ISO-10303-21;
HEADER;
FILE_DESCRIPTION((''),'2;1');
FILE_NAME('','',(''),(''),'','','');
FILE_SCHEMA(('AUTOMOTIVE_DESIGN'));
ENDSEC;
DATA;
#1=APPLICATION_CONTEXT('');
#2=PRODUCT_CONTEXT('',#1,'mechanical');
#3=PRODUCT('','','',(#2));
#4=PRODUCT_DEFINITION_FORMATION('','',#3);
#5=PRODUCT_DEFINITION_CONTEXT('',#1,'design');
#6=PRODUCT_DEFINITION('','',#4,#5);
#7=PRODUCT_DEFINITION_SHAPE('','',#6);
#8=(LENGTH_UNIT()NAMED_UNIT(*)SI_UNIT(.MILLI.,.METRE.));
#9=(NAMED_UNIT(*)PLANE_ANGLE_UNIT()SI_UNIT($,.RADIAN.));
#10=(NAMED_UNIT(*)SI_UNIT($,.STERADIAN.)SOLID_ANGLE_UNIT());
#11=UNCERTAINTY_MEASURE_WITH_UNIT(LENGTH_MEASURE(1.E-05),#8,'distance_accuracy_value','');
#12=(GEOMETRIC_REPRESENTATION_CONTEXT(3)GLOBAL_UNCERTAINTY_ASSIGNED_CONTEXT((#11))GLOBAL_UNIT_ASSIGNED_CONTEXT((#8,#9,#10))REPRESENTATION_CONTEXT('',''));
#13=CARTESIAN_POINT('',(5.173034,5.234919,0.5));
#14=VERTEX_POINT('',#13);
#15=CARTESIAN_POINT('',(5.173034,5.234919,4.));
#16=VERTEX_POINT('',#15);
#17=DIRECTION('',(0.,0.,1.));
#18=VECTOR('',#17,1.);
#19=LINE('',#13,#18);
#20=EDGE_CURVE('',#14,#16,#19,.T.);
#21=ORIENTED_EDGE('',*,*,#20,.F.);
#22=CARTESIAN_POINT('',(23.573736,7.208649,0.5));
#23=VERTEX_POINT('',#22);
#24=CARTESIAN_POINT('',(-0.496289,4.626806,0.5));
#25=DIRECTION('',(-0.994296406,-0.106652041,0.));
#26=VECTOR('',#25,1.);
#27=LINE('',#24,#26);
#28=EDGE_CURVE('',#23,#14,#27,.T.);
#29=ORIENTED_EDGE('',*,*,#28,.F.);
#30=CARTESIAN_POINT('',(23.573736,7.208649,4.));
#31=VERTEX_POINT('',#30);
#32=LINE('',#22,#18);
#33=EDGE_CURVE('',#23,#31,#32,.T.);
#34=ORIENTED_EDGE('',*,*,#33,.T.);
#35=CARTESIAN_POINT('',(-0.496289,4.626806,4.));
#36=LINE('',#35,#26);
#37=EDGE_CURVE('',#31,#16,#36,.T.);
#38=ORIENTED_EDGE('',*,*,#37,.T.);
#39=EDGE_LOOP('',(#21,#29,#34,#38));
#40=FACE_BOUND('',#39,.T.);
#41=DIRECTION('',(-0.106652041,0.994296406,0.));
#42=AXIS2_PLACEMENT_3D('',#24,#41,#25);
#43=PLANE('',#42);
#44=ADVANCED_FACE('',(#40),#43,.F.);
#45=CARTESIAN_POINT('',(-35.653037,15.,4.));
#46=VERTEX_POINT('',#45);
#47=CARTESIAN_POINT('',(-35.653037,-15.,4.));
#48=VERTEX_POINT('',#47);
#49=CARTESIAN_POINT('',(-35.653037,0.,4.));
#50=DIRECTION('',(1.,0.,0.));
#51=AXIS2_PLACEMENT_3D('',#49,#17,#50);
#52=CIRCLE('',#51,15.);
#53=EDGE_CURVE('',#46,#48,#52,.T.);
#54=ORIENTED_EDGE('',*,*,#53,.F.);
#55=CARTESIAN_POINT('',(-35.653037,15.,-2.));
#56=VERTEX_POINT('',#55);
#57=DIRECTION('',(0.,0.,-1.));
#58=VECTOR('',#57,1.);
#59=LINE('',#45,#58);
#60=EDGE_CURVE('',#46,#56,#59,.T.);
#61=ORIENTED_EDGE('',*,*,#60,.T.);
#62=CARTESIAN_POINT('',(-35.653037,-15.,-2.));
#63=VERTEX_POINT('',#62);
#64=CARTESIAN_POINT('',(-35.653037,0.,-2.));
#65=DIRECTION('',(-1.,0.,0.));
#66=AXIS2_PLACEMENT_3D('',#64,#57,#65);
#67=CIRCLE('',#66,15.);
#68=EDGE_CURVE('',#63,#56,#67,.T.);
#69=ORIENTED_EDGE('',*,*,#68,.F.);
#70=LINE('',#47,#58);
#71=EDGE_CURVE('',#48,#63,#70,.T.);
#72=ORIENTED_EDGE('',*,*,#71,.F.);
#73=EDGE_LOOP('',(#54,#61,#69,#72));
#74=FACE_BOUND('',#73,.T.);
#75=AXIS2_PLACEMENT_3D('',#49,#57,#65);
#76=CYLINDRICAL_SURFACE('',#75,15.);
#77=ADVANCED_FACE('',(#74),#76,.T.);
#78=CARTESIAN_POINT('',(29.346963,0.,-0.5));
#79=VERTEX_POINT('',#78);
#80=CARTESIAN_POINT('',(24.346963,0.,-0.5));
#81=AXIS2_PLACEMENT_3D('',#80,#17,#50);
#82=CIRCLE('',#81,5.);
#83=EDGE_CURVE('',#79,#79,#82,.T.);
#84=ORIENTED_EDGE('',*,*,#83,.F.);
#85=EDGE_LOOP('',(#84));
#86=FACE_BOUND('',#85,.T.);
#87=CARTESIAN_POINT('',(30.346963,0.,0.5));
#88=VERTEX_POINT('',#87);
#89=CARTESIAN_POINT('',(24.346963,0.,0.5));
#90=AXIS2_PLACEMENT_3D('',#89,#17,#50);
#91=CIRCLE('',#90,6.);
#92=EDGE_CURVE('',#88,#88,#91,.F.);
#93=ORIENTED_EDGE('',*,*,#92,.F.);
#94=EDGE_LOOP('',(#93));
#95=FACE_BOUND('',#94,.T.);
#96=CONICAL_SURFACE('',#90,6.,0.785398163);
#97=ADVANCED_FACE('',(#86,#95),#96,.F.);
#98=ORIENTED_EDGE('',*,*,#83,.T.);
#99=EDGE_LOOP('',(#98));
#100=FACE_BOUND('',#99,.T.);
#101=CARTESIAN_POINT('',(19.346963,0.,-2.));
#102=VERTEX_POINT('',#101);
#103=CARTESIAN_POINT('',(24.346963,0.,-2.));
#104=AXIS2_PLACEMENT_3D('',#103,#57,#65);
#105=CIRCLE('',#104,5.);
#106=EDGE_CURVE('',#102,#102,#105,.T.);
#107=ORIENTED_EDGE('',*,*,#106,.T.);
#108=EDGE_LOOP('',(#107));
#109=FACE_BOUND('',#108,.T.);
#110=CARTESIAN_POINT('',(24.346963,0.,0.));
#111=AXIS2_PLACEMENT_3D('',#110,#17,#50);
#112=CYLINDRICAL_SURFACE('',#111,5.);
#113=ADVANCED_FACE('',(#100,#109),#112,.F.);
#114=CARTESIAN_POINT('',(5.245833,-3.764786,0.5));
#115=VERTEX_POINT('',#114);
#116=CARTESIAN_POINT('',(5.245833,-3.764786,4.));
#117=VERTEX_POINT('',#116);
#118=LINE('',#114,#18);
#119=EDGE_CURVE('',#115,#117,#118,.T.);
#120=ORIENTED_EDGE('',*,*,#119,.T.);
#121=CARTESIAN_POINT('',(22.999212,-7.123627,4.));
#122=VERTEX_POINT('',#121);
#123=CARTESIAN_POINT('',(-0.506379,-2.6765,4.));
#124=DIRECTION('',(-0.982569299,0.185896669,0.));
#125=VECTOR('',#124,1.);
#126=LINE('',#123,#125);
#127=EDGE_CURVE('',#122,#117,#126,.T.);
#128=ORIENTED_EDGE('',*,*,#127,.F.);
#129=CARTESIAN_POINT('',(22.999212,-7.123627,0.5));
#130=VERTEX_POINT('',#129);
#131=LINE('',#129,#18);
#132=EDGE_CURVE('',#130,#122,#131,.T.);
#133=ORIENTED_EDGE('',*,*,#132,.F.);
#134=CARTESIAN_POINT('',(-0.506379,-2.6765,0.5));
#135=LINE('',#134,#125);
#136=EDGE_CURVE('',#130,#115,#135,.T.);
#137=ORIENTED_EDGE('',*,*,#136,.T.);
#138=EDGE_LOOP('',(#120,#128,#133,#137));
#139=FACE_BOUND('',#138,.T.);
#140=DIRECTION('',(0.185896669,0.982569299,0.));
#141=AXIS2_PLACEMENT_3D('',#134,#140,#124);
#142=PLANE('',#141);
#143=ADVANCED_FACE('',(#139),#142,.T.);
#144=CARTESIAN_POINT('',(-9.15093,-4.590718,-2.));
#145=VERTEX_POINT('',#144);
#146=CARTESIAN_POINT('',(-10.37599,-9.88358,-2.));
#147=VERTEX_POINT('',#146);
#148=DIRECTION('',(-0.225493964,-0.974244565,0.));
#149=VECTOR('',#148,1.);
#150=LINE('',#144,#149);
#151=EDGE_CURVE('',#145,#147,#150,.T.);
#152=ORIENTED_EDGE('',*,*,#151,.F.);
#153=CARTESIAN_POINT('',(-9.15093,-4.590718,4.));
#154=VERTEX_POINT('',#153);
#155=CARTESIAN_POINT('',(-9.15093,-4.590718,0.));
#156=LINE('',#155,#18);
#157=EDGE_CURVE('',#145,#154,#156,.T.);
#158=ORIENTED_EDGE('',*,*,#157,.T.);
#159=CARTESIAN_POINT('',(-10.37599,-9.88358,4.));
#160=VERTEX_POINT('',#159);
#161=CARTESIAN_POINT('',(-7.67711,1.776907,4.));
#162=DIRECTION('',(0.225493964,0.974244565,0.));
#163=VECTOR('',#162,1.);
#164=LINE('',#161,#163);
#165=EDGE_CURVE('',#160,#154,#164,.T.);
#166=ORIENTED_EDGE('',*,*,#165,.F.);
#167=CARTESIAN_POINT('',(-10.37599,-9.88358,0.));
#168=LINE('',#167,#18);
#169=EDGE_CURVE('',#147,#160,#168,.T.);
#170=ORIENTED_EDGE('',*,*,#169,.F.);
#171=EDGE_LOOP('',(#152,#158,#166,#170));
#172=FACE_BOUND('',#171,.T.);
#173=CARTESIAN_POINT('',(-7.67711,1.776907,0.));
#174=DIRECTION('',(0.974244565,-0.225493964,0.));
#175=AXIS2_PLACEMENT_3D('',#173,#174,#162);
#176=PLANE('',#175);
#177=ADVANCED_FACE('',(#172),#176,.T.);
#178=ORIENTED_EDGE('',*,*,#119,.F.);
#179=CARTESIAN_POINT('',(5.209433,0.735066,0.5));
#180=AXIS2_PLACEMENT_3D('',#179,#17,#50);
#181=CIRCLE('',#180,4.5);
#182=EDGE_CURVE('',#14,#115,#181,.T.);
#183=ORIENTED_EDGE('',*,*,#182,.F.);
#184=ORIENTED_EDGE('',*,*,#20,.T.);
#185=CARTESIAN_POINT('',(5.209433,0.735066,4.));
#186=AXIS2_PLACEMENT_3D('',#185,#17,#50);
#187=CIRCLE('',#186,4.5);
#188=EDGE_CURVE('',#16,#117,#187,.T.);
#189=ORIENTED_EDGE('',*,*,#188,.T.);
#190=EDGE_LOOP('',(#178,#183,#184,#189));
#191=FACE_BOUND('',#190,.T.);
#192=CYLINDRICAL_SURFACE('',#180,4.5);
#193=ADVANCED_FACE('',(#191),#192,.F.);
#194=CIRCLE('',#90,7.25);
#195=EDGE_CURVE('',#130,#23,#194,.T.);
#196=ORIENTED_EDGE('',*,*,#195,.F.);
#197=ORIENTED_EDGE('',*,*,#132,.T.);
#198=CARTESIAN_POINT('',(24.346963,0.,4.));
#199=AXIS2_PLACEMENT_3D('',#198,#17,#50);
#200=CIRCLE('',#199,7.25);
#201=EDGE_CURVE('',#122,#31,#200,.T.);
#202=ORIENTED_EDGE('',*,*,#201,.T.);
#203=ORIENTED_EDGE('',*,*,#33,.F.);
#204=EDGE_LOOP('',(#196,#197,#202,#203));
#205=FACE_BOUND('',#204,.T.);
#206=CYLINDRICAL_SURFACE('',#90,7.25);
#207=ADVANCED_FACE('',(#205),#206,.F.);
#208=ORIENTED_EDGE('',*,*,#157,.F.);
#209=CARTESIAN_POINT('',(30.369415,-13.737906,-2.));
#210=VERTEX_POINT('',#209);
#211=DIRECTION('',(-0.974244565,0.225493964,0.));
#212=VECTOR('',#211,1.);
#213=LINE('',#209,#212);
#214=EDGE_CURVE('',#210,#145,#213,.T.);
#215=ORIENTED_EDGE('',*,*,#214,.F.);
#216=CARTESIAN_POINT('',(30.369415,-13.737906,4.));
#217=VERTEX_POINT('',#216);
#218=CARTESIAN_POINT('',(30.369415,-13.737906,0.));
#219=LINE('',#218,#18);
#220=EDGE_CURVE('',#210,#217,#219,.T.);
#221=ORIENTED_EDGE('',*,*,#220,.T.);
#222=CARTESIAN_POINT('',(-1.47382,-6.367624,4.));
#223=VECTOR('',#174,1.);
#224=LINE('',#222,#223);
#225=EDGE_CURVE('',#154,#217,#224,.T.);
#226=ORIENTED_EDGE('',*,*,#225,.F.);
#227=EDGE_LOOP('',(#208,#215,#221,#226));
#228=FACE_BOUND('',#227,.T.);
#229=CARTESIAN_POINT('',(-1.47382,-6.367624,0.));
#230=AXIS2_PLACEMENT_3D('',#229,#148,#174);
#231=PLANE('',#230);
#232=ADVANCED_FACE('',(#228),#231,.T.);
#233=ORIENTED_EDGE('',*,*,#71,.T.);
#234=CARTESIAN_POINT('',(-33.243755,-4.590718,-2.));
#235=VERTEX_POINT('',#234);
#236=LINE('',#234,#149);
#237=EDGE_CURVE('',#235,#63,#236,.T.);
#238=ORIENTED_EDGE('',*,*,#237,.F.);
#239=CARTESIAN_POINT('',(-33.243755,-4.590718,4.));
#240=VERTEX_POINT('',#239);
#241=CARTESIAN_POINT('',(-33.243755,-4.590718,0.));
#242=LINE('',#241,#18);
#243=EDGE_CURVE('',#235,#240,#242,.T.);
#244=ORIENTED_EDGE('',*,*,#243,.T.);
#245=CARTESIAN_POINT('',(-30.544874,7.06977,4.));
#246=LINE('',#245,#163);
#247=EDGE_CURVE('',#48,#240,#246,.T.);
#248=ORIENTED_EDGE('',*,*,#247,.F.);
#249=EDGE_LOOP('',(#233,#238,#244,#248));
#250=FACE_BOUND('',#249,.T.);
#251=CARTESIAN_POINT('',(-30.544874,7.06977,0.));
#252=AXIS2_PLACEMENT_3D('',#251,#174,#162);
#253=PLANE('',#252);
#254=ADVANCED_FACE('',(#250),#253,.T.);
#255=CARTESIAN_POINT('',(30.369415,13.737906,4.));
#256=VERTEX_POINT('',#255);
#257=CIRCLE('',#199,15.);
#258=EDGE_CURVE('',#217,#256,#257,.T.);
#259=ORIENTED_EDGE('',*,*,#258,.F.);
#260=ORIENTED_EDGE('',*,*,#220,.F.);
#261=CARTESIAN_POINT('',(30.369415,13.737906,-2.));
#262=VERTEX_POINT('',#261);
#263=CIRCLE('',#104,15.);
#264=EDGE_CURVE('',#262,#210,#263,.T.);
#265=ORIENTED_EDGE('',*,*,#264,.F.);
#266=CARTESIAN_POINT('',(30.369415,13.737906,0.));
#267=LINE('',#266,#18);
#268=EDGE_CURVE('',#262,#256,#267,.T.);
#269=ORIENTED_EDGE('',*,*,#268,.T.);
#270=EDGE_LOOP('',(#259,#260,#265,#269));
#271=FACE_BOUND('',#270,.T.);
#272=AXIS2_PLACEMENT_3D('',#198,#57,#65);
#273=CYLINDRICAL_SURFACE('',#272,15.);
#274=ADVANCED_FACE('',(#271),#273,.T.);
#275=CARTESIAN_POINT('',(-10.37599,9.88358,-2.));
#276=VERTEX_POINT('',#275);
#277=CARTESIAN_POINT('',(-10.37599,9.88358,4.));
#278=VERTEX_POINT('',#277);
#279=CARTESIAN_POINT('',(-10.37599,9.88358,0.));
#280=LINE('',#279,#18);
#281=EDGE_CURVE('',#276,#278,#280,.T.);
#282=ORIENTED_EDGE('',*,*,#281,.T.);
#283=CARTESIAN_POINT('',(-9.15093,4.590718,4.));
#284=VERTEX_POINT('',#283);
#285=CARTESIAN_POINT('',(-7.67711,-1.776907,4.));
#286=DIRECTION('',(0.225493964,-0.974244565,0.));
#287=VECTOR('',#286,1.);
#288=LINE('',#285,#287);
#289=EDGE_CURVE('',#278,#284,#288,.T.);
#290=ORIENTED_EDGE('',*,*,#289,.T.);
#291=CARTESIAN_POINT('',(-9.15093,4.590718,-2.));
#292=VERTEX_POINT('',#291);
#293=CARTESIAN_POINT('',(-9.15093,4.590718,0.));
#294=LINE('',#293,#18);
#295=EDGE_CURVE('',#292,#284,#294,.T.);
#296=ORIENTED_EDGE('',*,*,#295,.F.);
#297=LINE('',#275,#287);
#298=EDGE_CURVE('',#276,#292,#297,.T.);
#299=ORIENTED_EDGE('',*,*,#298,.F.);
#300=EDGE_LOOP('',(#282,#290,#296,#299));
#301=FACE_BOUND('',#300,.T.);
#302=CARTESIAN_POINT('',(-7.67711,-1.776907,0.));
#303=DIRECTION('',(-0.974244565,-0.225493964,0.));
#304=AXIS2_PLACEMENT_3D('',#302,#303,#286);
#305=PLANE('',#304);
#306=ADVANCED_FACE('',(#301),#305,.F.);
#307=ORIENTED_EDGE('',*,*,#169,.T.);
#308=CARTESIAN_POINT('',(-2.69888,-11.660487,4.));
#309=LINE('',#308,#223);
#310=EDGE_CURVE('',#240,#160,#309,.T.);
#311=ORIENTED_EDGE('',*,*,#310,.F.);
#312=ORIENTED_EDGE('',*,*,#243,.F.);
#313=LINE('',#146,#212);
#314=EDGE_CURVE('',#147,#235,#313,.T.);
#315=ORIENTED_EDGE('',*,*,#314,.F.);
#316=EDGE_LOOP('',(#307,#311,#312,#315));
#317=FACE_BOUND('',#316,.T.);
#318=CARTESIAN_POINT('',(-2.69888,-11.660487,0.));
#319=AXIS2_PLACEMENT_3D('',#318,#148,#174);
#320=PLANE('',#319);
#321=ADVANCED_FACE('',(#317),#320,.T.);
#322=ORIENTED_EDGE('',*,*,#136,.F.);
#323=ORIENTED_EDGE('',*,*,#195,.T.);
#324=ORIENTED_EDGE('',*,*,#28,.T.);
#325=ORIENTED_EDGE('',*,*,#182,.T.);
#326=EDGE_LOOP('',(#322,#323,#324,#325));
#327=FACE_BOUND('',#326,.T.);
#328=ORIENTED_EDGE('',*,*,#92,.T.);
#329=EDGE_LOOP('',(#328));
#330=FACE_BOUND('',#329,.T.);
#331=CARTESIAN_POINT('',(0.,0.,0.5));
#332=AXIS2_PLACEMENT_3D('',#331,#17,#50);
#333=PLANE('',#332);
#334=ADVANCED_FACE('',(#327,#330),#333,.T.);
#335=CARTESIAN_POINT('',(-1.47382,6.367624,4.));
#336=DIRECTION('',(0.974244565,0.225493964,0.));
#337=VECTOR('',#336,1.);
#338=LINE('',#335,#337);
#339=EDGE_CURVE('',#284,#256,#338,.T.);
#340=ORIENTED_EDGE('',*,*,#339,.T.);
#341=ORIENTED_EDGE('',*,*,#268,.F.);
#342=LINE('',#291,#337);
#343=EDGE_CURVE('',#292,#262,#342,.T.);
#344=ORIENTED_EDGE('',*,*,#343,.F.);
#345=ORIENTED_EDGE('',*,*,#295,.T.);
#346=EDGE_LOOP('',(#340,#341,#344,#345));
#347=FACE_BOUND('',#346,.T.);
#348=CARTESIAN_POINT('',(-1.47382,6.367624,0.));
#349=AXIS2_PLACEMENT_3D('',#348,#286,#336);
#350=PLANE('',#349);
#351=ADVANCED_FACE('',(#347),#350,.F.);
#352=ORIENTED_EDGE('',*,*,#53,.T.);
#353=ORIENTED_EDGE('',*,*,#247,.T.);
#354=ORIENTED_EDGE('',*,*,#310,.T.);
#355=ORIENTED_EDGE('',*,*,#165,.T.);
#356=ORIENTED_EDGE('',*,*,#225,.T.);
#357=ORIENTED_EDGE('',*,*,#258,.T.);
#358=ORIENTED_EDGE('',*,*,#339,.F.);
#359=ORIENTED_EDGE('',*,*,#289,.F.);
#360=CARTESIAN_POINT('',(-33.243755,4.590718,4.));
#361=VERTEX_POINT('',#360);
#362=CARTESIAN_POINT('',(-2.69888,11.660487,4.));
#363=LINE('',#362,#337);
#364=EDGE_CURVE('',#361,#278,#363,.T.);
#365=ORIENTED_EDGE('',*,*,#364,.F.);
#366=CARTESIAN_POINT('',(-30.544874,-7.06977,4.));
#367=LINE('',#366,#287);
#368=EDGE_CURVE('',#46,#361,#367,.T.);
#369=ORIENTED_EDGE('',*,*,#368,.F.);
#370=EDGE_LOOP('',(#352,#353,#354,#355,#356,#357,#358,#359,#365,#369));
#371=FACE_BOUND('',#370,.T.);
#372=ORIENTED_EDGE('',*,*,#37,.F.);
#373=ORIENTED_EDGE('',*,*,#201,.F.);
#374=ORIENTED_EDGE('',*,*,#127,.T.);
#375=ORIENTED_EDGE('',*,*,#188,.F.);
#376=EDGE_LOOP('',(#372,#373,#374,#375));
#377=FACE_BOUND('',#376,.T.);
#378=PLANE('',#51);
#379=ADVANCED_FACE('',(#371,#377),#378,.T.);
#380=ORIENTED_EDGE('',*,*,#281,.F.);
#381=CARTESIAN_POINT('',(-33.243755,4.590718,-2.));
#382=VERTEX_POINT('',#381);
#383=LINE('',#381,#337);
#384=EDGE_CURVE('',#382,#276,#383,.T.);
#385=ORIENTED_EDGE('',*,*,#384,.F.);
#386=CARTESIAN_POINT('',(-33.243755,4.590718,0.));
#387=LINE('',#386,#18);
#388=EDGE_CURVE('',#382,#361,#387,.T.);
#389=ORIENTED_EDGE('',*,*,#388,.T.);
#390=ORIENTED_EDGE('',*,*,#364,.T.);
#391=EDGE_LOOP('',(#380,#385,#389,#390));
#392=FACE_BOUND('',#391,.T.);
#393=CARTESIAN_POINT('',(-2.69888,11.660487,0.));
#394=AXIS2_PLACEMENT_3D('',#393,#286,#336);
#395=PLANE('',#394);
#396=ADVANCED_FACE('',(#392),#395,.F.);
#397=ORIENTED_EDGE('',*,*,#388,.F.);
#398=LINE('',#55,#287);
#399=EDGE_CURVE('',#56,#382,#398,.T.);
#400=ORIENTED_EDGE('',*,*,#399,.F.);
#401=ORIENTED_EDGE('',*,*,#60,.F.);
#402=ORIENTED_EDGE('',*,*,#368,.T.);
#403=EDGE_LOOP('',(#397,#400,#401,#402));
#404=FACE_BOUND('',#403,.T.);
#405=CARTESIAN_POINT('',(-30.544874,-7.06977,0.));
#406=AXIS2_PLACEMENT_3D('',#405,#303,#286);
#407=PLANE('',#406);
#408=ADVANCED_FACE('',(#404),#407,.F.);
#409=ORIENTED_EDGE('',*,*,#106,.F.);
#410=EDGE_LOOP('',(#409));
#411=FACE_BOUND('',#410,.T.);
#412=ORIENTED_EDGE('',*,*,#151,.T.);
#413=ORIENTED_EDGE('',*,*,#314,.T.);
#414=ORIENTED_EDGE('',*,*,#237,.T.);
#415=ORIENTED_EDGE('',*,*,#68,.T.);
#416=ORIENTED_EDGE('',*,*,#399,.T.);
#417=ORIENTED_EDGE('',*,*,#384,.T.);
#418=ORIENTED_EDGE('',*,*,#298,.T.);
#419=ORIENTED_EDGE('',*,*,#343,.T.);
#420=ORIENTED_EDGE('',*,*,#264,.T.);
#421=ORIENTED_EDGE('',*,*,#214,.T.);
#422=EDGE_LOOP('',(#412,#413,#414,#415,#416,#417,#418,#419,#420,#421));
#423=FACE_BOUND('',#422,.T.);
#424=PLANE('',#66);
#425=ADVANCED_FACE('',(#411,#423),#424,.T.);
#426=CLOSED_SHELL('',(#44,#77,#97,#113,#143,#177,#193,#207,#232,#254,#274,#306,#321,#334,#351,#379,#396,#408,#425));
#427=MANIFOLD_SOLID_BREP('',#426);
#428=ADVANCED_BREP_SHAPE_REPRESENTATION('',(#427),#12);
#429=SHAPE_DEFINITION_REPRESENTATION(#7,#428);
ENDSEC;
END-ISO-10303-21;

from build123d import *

# Parameters (mm, degrees)
Y_KSEKLIK_EKSTR_ZYON1_DEPTH = 4
KES_EKSTR_ZYON1_START       = -4
KES_EKSTR_ZYON1_DEPTH       = 4
IZIM3_R                     = 5
KES_EKSTR_ZYON2_DEPTH       = 4
KES_EKSTR_ZYON3_DEPTH       = 4
IZIM10_R                    = 7.25
IZIM10_R_2                  = 5
KES_EKSTR_ZYON4_DEPTH       = 3.5
IZIM11_R                    = 5
Y_KSEKLIK_EKSTR_ZYON3_DEPTH = 2
PAH2_SIZE                   = 1


with BuildPart() as part:
    # Çizim1 → Yükseklik-Ekstrüzyon1 (new body)
    with BuildSketch(Plane.XY):
        with BuildLine():
            Line((-35.653037037, 15), (24.346962963, 15))
            ThreePointArc((24.346962963, 15), (39.346962963, 0), (24.346962963, -15))
            Line((24.346962963, -15), (-35.653037037, -15))
            ThreePointArc((-35.653037037, -15), (-50.653037037, 0), (-35.653037037, 15))
        make_face()
    extrude(amount=Y_KSEKLIK_EKSTR_ZYON1_DEPTH)

    # Çizim2 → Kes-Ekstrüzyon1 (cut)
    with BuildSketch(Plane.XY.offset(4).offset(KES_EKSTR_ZYON1_START)):
        Polygon((-11.560212186, 15), (-35.653037037, 15), (-33.243754552, 4.590717515), (-10.375990279, 9.883580305), align=None)
        Polygon((-33.243754552, -4.590717515), (-35.653037037, -15), (-11.560212186, -15), (-10.375990279, -9.883580305), align=None)
        with BuildLine():
            Line((-10.375990279, 9.883580305), (-9.150929701, 4.590717515))
            Line((-9.150929701, 4.590717515), (30.369414779, 13.737906468))
            ThreePointArc((30.369414779, 13.737906468), (27.42360098, 14.681086421), (24.346962963, 15))
            Line((24.346962963, 15), (11.729453249, 15))
            Line((11.729453249, 15), (-10.375990279, 9.883580305))
        make_face()
        with BuildLine():
            Line((-9.150929701, -4.590717515), (-10.375990279, -9.883580305))
            Line((-10.375990279, -9.883580305), (11.729453249, -15))
            Line((11.729453249, -15), (24.346962963, -15))
            ThreePointArc((24.346962963, -15), (27.42360098, -14.681086421), (30.369414779, -13.737906468))
            Line((30.369414779, -13.737906468), (-9.150929701, -4.590717515))
        make_face()
    extrude(amount=KES_EKSTR_ZYON1_DEPTH, mode=Mode.SUBTRACT)


with BuildPart() as kes_ekstr_zyon1_piece_1:
    # of the separate pieces the step leaves, piece 1, a body of its own (kes_ekstr_zyon1_pieces)
    add(part.part.solids().sort_by_distance((-35.653037037, -15, 0))[0])

    # Çizim3 → Kes-Ekstrüzyon2 (cut)
    with BuildSketch(Plane.XY.offset(4)):
        with Locations((24.346962963, 0)):
            Circle(IZIM3_R)
    extrude(amount=-KES_EKSTR_ZYON2_DEPTH, mode=Mode.SUBTRACT)

    # Çizim10 → Kes-Ekstrüzyon4 (cut)
    # profile 1 of 2: a face of its own
    with BuildSketch(Plane.XY.offset(4)):
        with BuildLine():
            ThreePointArc((22.99921211, -7.123627421), (17.102780918, 0.290390243), (23.573735665, 7.20864894))
            Line((23.573735665, 7.20864894), (5.173034472, 5.234919246))
            ThreePointArc((5.173034472, 5.234919246), (0.709580704, 0.698667438), (5.245832511, -3.76478633))
            Line((5.245832511, -3.76478633), (22.99921211, -7.123627421))
        make_face()
    # profile 2 of 2: a face of its own
    with BuildSketch(Plane.XY.offset(4)):
        with Locations((24.346962963, 0)):
            Circle(IZIM10_R)
        with Locations((24.346962963, 0)):
            Circle(IZIM10_R_2, mode=Mode.SUBTRACT)
    extrude(amount=-KES_EKSTR_ZYON4_DEPTH, mode=Mode.SUBTRACT)

    # Çizim11 → Yükseklik-Ekstrüzyon3 (add)
    with BuildSketch(Plane(origin=(0, 0, 0), x_dir=(-1, 0, 0), z_dir=(0, 0, -1))):
        with BuildLine():
            Line((33.243754552, -4.590717515), (35.653037037, -15))
            ThreePointArc((35.653037037, -15), (50.653037037, 0), (35.653037037, 15))
            Line((35.653037037, 15), (33.243754552, 4.590717515))
            Line((33.243754552, 4.590717515), (10.375990279, 9.883580305))
            Line((10.375990279, 9.883580305), (9.150929701, 4.590717515))
            Line((9.150929701, 4.590717515), (-30.369414779, 13.737906468))
            ThreePointArc((-30.369414779, 13.737906468), (-39.346962963, 0), (-30.369414779, -13.737906468))
            Line((-30.369414779, -13.737906468), (9.150929701, -4.590717515))
            Line((9.150929701, -4.590717515), (10.375990279, -9.883580305))
            Line((10.375990279, -9.883580305), (33.243754552, -4.590717515))
        make_face()
        with Locations(Location((-24.346962963, 0, 0), (0, 0, 180))):
            Circle(IZIM11_R, mode=Mode.SUBTRACT)
    extrude(amount=Y_KSEKLIK_EKSTR_ZYON3_DEPTH)

    # Pah2
    pah2_edges = [kes_ekstr_zyon1_piece_1.edges().sort_by_distance(p)[0] for p in [
        (19.346962963, 0, 0.5),
    ]]
    chamfer(pah2_edges, length=PAH2_SIZE)


with BuildPart() as kes_ekstr_zyon1_piece_2:
    # of the separate pieces the step leaves, piece 2, a body of its own (kes_ekstr_zyon1_pieces)
    add(part.part.solids().sort_by_distance((-11.560212186, 15, 0))[0])


with BuildPart() as kes_ekstr_zyon1_piece_3:
    # of the separate pieces the step leaves, piece 3, a body of its own (kes_ekstr_zyon1_pieces)
    add(part.part.solids().sort_by_distance((11.729453249, -15, 0))[0])


with BuildPart() as kes_ekstr_zyon3_tool:
    # Çizim5 → Kes-Ekstrüzyon3 (new body)
    with BuildSketch(Plane.XY.offset(4)):
        Polygon((-10.375990279, -9.883580305), (-11.560212186, -15), (11.729453249, -15), align=None)
        Polygon((-11.560212186, 15), (-10.375990279, 9.883580305), (11.729453249, 15), align=None)
    extrude(amount=-KES_EKSTR_ZYON3_DEPTH)


with BuildPart() as kes_ekstr_zyon1_piece_2_1:
    add(kes_ekstr_zyon1_piece_2.part)

    # Kes-Ekstrüzyon3: cut by kes_ekstr_zyon3_tool
    add(kes_ekstr_zyon3_tool.part, mode=Mode.SUBTRACT)


with BuildPart() as kes_ekstr_zyon1_piece_3_1:
    add(kes_ekstr_zyon1_piece_3.part)

    # Kes-Ekstrüzyon3: cut by kes_ekstr_zyon3_tool
    add(kes_ekstr_zyon3_tool.part, mode=Mode.SUBTRACT)


solid = kes_ekstr_zyon1_piece_1.part
